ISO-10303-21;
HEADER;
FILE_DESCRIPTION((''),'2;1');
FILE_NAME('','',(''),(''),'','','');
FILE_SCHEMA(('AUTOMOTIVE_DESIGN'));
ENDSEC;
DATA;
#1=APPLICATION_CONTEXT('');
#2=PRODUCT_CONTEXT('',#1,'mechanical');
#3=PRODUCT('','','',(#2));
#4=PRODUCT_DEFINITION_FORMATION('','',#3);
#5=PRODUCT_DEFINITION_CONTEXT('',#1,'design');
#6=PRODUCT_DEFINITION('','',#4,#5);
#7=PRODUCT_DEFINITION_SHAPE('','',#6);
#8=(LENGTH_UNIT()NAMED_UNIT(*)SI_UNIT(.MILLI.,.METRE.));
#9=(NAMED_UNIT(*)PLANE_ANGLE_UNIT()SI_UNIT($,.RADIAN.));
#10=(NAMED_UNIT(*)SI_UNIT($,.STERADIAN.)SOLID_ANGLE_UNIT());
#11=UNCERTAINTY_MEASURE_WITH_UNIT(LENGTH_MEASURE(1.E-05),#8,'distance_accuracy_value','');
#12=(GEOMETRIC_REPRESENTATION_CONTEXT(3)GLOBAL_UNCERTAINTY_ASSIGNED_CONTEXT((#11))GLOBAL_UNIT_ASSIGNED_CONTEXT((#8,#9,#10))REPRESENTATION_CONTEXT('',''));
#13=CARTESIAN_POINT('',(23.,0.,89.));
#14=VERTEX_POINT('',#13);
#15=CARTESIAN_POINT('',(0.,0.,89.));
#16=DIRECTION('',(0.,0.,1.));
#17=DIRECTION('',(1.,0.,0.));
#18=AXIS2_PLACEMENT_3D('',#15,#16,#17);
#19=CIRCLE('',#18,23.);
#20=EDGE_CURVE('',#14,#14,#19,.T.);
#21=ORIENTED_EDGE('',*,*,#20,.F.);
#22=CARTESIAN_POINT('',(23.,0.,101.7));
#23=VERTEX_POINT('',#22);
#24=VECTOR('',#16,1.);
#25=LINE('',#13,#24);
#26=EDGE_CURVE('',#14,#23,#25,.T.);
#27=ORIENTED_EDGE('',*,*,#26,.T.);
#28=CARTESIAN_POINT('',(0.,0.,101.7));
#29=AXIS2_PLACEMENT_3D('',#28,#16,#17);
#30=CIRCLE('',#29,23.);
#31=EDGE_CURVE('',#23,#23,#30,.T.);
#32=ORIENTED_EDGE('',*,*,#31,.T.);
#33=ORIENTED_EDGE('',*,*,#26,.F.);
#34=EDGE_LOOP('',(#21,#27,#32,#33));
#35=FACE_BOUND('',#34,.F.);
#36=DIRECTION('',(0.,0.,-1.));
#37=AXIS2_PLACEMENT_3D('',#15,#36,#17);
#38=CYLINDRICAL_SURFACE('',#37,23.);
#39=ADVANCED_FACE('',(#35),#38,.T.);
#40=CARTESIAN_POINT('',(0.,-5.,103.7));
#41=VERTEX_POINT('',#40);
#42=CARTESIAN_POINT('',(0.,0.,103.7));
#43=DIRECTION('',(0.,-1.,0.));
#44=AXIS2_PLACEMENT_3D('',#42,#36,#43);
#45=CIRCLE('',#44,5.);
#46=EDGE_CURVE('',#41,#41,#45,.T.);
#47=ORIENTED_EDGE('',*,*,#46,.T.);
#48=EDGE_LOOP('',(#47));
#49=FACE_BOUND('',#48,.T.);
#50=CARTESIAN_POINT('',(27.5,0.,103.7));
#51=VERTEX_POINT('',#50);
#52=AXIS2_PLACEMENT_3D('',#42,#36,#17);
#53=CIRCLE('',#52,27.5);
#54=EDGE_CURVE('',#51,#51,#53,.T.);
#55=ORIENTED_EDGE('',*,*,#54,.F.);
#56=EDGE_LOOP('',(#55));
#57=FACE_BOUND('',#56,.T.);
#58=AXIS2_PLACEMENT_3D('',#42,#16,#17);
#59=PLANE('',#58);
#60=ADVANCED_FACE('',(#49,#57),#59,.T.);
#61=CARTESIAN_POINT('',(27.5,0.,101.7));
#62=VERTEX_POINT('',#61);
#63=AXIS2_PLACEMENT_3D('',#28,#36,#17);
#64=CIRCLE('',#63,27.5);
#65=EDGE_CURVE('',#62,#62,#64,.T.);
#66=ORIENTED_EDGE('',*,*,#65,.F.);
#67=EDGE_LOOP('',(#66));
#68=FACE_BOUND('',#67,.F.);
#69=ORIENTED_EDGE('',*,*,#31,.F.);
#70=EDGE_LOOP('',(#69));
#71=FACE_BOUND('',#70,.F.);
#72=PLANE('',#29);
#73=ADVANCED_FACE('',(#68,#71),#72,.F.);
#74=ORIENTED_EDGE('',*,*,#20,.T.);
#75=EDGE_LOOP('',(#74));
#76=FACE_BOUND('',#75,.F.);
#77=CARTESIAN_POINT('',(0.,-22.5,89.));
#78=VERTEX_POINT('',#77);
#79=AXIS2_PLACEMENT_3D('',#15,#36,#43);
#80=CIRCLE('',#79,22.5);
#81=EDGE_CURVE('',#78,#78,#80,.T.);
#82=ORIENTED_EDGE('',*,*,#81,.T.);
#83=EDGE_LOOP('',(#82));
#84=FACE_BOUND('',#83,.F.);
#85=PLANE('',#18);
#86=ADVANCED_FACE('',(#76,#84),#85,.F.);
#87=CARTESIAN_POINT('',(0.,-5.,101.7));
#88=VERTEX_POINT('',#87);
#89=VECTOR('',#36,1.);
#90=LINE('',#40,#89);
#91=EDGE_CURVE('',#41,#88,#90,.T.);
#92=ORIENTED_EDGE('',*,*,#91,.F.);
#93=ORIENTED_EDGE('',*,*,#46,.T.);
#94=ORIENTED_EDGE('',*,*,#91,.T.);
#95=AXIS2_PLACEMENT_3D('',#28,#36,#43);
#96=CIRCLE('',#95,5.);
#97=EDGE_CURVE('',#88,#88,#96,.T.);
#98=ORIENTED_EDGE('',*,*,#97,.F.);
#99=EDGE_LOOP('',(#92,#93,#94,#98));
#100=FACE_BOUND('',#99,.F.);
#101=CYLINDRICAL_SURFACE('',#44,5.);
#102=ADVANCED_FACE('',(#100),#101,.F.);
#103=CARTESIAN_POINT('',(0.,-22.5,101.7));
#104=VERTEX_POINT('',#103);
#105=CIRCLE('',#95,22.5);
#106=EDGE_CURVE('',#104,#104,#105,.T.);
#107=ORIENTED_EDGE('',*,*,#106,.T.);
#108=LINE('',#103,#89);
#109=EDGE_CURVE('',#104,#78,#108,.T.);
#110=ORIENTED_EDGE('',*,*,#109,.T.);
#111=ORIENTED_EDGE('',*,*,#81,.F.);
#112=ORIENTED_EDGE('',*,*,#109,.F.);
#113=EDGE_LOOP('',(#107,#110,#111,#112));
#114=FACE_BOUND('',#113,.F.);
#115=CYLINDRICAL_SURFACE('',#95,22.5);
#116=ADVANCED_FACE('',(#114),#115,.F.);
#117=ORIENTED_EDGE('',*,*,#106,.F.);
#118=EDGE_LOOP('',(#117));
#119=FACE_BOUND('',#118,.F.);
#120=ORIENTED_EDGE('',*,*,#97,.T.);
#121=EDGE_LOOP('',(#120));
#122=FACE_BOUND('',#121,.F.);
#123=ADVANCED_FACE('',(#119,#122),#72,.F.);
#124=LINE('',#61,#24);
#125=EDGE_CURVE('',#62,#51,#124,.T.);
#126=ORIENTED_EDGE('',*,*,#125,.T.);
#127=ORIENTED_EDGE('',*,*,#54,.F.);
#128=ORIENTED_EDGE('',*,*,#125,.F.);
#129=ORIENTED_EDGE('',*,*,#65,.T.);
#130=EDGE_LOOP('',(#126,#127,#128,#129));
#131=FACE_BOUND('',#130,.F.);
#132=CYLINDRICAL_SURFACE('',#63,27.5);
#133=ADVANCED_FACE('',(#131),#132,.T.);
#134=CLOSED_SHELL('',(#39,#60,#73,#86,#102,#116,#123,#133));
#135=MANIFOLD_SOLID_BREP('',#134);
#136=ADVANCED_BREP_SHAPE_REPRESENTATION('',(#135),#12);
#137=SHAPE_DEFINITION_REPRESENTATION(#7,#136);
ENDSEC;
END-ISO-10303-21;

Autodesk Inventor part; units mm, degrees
ref_plane "YZ Plane" through (0, 0, 0) normal (1, 0, 0) x (0, 1, 0)
ref_plane "XZ Plane" through (0, 0, 0) normal (0, 1, 0) x (-1, 0, 0)
ref_plane "Work Plane1" through (0, 0, 76.3) normal (0, 0, 1) x (1, 0, 0)
ref_plane "Work Plane2" through (0, 0, 89) normal (0, 0, 1) x (1, 0, 0)
sketch "Sketch4" plane through (0, 0, 89) normal (0, 0, 1) x (1, 0, 0)
  circle A0 centre (0, 0) radius 23.5 projected
  circle A1 centre (0, 0) radius 23
  dimension "d20" = 46
extrude "Extrusion4" add sketch "Sketch4" along normal blind 12.7 contours A1
sketch "Sketch5" plane through (0, 0, 101.7) normal (0, 0, 1) x (1, 0, 0)
  circle A0 centre (0, 0) radius 23 projected
  circle A1 centre (0, 0) radius 23 projected
hole "Hole2" at (0, 0, 101.7) direction (0, 0, -1) diameter 45 depth 12.8
sketch "Sketch6" plane through (0, 0, 101.7) normal (0, 0, 1) x (1, 0, 0)
  circle A0 centre (0, 0) radius 22.5 projected
  circle A1 centre (0, 0) radius 23 projected
  line L0 (0, -38.5) -> (0, 38.5) projected
  line L1 (-38.5, 0) -> (38.5, 0) projected
  circle A2 centre (0, 0) radius 27.5
  dimension "d30" = 55
extrude "Extrusion5" add sketch "Sketch6" along normal blind 2
sketch "Sketch7" plane through (0, 0, 103.7) normal (0, 0, 1) x (1, 0, 0)
  circle A0 centre (0, 0) radius 27.5 projected
  line L0 (0, -38.5) -> (0, 38.5) projected
  line L1 (-38.5, 0) -> (38.5, 0) projected
hole "Hole3" at (0, 0, 103.7) direction (0, 0, -1) diameter 10 depth 8 tip angle 118
properties part number "Plastic Lid"
